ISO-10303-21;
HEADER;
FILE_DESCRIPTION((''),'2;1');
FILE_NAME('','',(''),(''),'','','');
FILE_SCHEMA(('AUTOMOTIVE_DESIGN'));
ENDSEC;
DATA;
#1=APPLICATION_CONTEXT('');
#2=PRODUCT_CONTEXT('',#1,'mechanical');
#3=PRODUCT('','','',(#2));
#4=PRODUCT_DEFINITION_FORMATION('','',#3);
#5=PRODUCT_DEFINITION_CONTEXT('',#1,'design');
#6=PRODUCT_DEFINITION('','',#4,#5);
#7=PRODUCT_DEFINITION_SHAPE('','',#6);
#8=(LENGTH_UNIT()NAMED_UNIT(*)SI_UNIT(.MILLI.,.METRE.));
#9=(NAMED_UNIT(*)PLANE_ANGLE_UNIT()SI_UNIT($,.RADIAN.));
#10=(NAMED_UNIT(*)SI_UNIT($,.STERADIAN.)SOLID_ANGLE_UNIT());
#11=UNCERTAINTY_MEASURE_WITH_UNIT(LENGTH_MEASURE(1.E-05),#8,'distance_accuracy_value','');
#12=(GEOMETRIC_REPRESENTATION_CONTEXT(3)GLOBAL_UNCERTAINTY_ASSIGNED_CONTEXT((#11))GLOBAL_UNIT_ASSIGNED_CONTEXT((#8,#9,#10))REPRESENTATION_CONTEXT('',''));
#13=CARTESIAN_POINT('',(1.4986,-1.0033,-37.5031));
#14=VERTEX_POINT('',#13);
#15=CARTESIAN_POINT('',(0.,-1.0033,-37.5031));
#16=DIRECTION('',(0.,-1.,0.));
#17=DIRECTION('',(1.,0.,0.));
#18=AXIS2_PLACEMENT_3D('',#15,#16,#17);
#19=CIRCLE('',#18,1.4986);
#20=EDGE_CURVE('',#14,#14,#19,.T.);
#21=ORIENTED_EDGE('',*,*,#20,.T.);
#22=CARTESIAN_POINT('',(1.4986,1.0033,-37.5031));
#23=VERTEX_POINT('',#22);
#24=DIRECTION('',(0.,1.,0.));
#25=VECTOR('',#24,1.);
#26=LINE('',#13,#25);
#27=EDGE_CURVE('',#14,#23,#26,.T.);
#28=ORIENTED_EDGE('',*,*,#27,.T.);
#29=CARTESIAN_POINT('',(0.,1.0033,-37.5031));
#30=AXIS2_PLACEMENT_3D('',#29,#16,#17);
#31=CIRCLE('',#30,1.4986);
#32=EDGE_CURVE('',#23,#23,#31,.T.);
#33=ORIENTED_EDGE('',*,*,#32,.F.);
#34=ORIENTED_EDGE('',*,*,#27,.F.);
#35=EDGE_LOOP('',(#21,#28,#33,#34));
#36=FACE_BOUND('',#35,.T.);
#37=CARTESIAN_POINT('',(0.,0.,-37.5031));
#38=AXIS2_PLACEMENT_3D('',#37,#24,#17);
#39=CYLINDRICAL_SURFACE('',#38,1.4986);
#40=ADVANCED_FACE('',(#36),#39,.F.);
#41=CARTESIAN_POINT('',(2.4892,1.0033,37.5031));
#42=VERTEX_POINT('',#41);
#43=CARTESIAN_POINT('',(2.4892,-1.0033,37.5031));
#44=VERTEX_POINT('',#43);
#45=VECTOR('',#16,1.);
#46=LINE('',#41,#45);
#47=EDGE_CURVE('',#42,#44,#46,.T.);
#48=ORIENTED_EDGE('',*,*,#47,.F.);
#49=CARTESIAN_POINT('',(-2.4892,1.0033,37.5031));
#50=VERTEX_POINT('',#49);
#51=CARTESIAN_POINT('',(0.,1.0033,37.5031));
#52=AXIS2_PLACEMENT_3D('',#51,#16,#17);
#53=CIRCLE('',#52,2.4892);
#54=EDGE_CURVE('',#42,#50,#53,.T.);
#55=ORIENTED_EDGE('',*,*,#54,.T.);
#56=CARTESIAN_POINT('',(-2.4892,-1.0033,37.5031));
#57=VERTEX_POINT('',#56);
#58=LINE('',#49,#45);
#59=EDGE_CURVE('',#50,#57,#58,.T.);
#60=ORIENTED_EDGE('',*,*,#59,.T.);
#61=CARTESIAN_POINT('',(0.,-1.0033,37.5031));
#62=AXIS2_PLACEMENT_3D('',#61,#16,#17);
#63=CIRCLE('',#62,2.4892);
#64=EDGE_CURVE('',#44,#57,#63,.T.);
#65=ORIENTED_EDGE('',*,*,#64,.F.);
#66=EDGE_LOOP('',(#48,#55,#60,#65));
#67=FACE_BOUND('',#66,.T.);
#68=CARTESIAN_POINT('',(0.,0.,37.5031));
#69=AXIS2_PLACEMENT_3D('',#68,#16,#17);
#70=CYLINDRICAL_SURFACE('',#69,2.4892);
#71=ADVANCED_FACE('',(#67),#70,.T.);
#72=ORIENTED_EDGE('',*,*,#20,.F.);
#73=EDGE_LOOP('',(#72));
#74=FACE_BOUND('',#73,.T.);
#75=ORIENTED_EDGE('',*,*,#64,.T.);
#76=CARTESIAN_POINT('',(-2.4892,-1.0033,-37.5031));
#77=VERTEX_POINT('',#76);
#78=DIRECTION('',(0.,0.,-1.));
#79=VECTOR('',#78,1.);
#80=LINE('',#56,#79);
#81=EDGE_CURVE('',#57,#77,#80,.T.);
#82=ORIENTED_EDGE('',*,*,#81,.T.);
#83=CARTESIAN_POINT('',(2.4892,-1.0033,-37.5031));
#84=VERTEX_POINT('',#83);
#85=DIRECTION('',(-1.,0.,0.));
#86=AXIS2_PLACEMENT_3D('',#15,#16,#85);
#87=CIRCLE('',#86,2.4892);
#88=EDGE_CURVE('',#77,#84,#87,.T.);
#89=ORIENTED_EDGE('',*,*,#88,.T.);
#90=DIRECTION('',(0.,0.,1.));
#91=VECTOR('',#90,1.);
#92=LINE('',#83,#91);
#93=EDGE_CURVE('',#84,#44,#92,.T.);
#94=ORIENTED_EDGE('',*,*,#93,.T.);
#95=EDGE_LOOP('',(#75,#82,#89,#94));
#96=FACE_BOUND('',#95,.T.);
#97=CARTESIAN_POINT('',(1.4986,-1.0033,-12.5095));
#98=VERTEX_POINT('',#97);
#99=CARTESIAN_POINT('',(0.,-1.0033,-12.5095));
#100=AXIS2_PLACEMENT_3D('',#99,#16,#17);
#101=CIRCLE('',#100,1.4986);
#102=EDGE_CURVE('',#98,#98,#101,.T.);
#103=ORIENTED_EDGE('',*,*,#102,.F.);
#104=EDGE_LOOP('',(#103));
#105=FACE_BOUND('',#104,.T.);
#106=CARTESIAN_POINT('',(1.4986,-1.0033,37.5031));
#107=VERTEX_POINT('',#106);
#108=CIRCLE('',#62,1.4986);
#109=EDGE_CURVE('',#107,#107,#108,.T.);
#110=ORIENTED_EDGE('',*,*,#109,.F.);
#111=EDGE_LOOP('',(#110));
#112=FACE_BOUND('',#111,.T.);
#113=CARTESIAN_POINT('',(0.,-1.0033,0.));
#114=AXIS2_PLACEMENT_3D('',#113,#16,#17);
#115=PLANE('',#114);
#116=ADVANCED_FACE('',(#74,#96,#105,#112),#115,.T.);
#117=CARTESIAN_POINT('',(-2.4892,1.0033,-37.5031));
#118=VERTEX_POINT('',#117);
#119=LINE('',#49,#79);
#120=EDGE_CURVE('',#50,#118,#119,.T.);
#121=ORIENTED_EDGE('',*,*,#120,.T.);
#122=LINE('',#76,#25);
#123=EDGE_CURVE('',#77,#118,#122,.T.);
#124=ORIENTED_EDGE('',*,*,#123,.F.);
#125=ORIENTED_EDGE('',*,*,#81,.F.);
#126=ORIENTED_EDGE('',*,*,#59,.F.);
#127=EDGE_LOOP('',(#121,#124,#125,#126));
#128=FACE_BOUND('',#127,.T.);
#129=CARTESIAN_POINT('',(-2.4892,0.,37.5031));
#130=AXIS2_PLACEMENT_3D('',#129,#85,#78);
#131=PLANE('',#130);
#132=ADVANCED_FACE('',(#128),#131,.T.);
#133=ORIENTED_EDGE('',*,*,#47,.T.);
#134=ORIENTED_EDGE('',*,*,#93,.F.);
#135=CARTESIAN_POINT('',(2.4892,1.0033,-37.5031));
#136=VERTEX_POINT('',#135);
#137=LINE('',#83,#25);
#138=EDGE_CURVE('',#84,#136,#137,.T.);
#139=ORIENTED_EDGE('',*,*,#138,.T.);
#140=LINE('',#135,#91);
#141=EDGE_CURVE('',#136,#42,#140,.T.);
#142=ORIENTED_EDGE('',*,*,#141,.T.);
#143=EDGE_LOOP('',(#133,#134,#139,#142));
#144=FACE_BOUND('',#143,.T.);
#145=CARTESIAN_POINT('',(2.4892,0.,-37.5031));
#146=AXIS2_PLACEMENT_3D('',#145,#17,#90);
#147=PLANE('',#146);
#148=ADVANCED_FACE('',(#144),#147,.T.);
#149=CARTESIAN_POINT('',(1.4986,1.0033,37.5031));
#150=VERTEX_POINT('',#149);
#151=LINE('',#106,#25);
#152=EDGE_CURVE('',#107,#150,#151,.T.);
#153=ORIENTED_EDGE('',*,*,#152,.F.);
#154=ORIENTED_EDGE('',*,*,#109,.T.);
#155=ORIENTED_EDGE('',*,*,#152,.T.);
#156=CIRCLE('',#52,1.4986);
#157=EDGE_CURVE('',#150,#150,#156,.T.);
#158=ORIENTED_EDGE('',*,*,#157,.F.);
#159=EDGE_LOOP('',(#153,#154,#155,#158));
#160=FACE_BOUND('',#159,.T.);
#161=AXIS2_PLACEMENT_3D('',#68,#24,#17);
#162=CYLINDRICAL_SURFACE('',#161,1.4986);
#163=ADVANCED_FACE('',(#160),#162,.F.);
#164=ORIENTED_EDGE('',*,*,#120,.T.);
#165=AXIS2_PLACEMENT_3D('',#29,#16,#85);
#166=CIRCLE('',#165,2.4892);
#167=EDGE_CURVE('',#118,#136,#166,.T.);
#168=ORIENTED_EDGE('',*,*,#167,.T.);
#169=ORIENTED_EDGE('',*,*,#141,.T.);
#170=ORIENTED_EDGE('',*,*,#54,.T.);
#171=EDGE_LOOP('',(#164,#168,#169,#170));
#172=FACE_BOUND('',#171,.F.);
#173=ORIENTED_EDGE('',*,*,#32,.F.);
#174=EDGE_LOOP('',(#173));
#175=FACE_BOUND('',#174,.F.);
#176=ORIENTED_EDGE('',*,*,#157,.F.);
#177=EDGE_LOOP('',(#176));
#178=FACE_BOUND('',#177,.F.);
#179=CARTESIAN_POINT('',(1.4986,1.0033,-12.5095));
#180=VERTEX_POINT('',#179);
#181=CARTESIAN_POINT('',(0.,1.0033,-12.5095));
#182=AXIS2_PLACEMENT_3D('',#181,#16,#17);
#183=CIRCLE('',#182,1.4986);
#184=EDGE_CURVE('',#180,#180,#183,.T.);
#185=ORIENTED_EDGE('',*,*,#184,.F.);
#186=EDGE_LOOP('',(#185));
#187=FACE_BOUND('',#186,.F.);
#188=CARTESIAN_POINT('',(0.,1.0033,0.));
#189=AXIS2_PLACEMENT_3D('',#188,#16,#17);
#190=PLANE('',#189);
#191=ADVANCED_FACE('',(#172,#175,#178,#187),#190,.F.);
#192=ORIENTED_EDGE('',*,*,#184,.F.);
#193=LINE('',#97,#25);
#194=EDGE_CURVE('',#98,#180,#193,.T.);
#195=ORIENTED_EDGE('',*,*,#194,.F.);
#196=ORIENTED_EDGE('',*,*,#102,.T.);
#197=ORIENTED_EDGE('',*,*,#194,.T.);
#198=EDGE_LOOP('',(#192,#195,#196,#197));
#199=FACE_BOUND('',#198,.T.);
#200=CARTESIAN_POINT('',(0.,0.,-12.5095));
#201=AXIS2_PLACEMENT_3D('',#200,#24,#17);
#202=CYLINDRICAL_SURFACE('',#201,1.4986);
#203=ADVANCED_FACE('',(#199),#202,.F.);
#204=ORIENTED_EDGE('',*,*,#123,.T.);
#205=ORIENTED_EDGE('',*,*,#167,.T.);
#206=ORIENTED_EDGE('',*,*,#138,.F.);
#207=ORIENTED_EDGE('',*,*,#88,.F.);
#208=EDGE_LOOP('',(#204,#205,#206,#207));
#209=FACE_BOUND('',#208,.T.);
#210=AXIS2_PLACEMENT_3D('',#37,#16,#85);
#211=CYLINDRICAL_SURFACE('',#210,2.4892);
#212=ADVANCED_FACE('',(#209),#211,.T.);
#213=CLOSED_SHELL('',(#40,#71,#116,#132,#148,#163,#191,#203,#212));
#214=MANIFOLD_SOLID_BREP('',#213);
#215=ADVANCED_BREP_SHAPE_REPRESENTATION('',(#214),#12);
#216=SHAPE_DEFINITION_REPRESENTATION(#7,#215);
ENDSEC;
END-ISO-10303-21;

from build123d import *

# Parameters (mm, degrees)
F0_R     = 1.4986
F1_DEPTH = 1.0033


with BuildPart() as f1:
    # F0 (on Front) → F1 (new body, symmetric)
    with BuildSketch(Plane.XZ):
        with BuildLine():
            Line((2.4892, -37.5031), (2.4892, 37.5031))
            ThreePointArc((2.4892, 37.5031), (0, 39.9923), (-2.4892, 37.5031))
            Line((-2.4892, 37.5031), (-2.4892, -37.5031))
            ThreePointArc((-2.4892, -37.5031), (0, -39.9923), (2.4892, -37.5031))
        make_face()
        with Locations((0, -37.5031)):
            Circle(F0_R, mode=Mode.SUBTRACT)
        with Locations((0, -12.5095)):
            Circle(F0_R, mode=Mode.SUBTRACT)
        with Locations((0, 37.5031)):
            Circle(F0_R, mode=Mode.SUBTRACT)
    extrude(amount=F1_DEPTH, both=True)


solid = f1.part
